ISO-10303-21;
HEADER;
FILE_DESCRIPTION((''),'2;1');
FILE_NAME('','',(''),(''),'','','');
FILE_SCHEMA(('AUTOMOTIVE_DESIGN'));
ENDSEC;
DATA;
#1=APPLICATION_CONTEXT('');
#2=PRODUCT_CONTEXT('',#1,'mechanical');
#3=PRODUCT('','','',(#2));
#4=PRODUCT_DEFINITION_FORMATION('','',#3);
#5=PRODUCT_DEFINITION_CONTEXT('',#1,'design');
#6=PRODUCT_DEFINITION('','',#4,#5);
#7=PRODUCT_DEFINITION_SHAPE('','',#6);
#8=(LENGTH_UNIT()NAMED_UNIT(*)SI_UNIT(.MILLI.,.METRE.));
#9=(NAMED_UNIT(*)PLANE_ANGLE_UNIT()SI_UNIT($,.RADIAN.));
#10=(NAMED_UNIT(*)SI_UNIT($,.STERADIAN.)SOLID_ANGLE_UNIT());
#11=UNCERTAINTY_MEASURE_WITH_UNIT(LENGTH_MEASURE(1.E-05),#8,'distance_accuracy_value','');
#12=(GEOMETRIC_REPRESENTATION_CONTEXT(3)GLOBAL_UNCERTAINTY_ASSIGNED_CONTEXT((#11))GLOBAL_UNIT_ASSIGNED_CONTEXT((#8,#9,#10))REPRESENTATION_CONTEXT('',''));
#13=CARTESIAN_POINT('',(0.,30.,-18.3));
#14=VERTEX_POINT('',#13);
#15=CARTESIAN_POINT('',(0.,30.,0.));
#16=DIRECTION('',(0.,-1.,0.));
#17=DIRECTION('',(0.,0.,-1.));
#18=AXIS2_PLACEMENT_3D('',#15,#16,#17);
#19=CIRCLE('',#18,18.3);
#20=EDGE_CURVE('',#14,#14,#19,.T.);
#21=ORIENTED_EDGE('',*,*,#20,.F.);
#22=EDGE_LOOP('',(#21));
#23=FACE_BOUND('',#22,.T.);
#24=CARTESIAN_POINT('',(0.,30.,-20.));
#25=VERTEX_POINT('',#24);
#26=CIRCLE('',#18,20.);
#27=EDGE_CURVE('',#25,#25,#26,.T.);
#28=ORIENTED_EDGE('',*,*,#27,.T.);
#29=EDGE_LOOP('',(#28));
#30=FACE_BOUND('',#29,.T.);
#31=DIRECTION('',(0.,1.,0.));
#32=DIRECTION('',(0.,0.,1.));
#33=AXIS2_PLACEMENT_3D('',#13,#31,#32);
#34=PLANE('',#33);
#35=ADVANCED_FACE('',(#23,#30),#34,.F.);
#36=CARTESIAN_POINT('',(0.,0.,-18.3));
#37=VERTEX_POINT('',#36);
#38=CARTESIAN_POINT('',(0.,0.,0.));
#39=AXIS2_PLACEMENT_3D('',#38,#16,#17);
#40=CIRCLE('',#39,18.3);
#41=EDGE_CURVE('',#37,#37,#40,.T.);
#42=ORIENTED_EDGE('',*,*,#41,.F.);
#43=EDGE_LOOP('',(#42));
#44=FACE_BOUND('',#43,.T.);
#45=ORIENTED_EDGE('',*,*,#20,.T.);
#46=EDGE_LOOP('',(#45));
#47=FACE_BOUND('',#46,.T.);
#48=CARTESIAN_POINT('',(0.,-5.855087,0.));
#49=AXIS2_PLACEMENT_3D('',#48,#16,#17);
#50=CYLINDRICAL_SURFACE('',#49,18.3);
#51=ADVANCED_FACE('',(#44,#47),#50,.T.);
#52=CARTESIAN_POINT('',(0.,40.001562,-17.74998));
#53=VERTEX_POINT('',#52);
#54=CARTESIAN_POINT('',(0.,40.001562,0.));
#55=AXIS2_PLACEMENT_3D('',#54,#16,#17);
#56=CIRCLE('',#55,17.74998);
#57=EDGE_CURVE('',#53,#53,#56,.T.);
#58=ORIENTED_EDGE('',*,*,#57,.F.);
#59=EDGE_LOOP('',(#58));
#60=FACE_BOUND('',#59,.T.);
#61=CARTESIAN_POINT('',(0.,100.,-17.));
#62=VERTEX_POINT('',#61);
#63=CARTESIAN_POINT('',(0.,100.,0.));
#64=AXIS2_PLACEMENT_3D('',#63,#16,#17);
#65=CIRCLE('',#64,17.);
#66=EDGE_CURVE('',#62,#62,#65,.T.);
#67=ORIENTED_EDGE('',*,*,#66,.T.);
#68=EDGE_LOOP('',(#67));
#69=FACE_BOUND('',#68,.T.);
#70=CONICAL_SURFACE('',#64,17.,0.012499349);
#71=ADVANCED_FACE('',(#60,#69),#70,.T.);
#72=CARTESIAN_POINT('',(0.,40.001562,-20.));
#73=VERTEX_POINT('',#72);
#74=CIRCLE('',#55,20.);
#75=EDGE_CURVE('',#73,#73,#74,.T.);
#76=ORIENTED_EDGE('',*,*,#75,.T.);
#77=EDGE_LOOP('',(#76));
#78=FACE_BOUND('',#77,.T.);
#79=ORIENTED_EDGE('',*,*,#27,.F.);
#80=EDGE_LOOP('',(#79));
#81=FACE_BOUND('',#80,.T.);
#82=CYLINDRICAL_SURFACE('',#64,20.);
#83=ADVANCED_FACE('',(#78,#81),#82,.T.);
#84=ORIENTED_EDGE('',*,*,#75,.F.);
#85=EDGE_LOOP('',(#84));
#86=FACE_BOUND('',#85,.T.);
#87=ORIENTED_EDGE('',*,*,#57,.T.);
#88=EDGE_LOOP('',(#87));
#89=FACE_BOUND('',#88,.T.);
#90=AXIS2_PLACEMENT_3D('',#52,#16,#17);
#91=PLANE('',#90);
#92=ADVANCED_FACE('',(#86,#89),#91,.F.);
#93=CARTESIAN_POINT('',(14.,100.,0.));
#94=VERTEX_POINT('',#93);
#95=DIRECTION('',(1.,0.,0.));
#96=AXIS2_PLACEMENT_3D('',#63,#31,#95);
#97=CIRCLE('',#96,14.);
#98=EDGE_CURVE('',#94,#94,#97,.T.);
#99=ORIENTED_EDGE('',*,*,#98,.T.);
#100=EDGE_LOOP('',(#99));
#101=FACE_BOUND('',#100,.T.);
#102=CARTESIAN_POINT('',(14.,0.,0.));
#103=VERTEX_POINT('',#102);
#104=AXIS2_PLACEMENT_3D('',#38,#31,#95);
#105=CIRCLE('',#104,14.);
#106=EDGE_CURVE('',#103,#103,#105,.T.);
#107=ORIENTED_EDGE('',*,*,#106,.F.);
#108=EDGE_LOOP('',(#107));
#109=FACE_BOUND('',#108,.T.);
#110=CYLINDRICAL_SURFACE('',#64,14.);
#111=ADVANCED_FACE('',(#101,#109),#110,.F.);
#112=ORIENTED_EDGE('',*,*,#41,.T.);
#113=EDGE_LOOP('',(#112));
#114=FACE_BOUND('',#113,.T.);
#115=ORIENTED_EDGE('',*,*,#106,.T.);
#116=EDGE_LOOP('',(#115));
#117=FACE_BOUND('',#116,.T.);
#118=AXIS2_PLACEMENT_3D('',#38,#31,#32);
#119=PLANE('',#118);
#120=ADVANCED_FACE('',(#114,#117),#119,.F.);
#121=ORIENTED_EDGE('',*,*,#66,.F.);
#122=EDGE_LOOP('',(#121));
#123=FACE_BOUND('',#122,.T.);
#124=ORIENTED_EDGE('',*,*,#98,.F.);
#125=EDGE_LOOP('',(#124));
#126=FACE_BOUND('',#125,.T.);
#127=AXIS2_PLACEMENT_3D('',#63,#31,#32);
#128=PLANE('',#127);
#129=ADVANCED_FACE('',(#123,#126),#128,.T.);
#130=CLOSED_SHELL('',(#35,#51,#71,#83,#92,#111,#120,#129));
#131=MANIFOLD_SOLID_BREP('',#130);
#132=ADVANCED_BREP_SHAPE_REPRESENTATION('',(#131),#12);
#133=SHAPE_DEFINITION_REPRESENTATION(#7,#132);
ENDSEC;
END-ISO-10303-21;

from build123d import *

# Parameters (mm, degrees)
SKETCH_1_R      = 20
SKETCH_1_R_2    = 14
EXTRUDE_1_DEPTH = 100
SKETCH_2_W      = 1.7
SKETCH_2_H      = 30


with BuildPart() as part:
    # Эскиз1 → Вытянуть-Тонкостенный1 (new body)
    with BuildSketch(Plane(origin=(0, 0, 0), x_dir=(1, 0, 0), z_dir=(0, 1, 0))):
        Circle(SKETCH_1_R)
        Circle(SKETCH_1_R_2, mode=Mode.SUBTRACT)
    extrude(amount=EXTRUDE_1_DEPTH)

    # Эскиз2 → Вырез-Повернуть1 (revolve, cut)
    with BuildSketch(Plane(origin=(0, 0, 0), x_dir=(0, 0, -1), z_dir=(1, 0, 0))):
        with Locations((19.15, 15)):
            Rectangle(SKETCH_2_W, SKETCH_2_H)
        Polygon((17, 100), (17.749980471, 40.001562317), (20, 40.001562317), (20, 100), align=None)
    revolve(axis=Axis((0, -5.85508708, 0), (0, 1, 0)), mode=Mode.SUBTRACT)


solid = part.part
